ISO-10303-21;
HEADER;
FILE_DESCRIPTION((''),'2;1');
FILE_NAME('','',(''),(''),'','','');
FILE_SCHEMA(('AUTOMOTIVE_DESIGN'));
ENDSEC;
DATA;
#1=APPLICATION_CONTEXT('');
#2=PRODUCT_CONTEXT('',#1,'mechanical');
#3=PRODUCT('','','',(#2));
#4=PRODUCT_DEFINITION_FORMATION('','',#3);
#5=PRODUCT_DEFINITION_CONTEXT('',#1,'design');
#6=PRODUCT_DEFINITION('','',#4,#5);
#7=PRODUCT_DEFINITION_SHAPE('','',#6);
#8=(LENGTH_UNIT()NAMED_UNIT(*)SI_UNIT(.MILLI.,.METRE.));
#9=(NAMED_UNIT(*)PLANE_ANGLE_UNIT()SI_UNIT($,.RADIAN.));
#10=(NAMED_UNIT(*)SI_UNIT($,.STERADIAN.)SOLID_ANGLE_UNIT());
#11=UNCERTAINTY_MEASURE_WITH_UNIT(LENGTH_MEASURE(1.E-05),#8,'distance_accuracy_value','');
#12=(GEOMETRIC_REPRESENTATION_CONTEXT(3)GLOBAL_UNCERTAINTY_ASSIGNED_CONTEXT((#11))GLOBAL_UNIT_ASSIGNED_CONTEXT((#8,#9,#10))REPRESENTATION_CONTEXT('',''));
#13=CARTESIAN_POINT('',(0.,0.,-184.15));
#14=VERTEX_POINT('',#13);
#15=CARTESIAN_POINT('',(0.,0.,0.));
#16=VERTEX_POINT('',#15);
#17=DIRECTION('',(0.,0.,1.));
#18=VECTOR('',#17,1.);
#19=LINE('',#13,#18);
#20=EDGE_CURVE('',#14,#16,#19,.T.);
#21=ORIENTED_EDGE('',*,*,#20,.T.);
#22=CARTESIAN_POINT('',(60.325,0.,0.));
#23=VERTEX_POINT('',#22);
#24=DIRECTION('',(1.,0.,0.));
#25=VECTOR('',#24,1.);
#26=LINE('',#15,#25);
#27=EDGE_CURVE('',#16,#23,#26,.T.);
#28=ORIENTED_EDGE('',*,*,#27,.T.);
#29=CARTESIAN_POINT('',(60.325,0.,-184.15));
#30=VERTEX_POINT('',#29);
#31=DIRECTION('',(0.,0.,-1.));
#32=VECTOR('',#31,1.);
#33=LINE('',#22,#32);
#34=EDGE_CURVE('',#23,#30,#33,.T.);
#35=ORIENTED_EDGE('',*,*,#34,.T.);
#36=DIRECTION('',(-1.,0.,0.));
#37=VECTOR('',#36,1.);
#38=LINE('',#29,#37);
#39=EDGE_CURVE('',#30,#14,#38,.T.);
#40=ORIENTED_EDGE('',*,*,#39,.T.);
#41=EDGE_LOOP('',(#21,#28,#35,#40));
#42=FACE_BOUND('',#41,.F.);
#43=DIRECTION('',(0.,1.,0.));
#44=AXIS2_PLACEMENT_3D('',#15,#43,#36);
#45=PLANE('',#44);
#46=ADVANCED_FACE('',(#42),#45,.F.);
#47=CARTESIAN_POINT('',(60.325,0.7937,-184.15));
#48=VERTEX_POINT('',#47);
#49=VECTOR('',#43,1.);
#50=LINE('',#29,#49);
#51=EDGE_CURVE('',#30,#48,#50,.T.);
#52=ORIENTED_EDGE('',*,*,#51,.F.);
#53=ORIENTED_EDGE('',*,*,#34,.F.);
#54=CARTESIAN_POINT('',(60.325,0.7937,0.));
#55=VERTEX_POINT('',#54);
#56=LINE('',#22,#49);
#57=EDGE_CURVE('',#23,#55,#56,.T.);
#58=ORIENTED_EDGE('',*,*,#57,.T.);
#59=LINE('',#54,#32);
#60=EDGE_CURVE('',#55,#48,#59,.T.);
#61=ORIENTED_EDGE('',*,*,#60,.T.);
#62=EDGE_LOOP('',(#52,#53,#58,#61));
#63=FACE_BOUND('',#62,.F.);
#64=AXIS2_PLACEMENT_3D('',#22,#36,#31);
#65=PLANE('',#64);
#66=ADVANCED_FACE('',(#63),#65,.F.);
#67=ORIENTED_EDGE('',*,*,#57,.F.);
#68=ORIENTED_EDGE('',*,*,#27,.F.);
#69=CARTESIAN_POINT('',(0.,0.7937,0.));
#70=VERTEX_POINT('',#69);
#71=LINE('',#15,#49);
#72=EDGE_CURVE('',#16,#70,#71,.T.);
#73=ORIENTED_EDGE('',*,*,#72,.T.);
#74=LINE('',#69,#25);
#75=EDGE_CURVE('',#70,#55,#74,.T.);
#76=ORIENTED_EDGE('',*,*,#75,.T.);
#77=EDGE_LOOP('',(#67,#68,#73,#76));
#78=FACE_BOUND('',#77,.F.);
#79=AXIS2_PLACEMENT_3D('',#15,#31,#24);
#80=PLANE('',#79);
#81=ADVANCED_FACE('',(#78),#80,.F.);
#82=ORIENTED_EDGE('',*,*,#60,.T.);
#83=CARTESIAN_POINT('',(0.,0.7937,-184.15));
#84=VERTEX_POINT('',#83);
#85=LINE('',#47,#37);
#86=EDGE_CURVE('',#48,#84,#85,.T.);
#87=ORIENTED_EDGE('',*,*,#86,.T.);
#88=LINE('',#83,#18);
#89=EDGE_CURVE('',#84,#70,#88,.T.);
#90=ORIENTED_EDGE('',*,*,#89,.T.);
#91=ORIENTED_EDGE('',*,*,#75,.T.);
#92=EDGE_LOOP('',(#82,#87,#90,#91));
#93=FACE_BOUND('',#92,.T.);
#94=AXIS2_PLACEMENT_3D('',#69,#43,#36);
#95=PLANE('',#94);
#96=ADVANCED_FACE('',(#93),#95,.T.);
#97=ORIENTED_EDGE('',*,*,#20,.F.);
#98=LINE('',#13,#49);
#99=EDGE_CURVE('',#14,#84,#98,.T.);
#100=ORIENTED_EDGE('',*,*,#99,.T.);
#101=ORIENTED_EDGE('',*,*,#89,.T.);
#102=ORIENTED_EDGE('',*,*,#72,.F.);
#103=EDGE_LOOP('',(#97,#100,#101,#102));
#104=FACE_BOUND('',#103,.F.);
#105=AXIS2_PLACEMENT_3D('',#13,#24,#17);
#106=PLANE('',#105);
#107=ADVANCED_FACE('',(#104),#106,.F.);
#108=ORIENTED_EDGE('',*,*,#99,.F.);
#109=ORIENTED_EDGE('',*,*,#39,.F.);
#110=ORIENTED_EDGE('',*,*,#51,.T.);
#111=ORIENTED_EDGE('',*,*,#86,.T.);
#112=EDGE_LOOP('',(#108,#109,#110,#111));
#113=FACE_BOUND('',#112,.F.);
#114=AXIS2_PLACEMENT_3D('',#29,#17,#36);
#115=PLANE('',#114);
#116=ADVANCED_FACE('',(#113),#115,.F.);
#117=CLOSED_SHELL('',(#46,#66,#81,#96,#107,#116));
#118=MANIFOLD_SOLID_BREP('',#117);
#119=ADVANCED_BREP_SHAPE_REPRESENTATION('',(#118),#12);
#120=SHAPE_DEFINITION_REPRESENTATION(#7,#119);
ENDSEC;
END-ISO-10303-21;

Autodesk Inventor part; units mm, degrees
ref_plane "YZ Plane" through (0, 0, 0) normal (1, 0, 0) x (0, 1, 0)
ref_plane "XZ Plane" through (0, 0, 0) normal (0, 1, 0) x (-1, 0, 0)
ref_plane "XY Plane" through (0, 0, 0) normal (0, 0, 1) x (1, 0, 0)
sketch "Sketch1" plane through (0, 0, 0) normal (0, 1, 0) x (-1, 0, 0)
  line L0 (0, 0) -> (-60.325, 0)
  line L1 (-60.325, 0) -> (-60.325, -184.15)
  line L2 (-60.325, -184.15) -> (0, -184.15)
  line L3 (0, -184.15) -> (0, 0)
  dimension "d0" = 60.325
  dimension "d1" = 184.15
extrude "Extrusion1" add sketch "Sketch1" along normal blind 0.7937
properties part number "ElevationPlate"
